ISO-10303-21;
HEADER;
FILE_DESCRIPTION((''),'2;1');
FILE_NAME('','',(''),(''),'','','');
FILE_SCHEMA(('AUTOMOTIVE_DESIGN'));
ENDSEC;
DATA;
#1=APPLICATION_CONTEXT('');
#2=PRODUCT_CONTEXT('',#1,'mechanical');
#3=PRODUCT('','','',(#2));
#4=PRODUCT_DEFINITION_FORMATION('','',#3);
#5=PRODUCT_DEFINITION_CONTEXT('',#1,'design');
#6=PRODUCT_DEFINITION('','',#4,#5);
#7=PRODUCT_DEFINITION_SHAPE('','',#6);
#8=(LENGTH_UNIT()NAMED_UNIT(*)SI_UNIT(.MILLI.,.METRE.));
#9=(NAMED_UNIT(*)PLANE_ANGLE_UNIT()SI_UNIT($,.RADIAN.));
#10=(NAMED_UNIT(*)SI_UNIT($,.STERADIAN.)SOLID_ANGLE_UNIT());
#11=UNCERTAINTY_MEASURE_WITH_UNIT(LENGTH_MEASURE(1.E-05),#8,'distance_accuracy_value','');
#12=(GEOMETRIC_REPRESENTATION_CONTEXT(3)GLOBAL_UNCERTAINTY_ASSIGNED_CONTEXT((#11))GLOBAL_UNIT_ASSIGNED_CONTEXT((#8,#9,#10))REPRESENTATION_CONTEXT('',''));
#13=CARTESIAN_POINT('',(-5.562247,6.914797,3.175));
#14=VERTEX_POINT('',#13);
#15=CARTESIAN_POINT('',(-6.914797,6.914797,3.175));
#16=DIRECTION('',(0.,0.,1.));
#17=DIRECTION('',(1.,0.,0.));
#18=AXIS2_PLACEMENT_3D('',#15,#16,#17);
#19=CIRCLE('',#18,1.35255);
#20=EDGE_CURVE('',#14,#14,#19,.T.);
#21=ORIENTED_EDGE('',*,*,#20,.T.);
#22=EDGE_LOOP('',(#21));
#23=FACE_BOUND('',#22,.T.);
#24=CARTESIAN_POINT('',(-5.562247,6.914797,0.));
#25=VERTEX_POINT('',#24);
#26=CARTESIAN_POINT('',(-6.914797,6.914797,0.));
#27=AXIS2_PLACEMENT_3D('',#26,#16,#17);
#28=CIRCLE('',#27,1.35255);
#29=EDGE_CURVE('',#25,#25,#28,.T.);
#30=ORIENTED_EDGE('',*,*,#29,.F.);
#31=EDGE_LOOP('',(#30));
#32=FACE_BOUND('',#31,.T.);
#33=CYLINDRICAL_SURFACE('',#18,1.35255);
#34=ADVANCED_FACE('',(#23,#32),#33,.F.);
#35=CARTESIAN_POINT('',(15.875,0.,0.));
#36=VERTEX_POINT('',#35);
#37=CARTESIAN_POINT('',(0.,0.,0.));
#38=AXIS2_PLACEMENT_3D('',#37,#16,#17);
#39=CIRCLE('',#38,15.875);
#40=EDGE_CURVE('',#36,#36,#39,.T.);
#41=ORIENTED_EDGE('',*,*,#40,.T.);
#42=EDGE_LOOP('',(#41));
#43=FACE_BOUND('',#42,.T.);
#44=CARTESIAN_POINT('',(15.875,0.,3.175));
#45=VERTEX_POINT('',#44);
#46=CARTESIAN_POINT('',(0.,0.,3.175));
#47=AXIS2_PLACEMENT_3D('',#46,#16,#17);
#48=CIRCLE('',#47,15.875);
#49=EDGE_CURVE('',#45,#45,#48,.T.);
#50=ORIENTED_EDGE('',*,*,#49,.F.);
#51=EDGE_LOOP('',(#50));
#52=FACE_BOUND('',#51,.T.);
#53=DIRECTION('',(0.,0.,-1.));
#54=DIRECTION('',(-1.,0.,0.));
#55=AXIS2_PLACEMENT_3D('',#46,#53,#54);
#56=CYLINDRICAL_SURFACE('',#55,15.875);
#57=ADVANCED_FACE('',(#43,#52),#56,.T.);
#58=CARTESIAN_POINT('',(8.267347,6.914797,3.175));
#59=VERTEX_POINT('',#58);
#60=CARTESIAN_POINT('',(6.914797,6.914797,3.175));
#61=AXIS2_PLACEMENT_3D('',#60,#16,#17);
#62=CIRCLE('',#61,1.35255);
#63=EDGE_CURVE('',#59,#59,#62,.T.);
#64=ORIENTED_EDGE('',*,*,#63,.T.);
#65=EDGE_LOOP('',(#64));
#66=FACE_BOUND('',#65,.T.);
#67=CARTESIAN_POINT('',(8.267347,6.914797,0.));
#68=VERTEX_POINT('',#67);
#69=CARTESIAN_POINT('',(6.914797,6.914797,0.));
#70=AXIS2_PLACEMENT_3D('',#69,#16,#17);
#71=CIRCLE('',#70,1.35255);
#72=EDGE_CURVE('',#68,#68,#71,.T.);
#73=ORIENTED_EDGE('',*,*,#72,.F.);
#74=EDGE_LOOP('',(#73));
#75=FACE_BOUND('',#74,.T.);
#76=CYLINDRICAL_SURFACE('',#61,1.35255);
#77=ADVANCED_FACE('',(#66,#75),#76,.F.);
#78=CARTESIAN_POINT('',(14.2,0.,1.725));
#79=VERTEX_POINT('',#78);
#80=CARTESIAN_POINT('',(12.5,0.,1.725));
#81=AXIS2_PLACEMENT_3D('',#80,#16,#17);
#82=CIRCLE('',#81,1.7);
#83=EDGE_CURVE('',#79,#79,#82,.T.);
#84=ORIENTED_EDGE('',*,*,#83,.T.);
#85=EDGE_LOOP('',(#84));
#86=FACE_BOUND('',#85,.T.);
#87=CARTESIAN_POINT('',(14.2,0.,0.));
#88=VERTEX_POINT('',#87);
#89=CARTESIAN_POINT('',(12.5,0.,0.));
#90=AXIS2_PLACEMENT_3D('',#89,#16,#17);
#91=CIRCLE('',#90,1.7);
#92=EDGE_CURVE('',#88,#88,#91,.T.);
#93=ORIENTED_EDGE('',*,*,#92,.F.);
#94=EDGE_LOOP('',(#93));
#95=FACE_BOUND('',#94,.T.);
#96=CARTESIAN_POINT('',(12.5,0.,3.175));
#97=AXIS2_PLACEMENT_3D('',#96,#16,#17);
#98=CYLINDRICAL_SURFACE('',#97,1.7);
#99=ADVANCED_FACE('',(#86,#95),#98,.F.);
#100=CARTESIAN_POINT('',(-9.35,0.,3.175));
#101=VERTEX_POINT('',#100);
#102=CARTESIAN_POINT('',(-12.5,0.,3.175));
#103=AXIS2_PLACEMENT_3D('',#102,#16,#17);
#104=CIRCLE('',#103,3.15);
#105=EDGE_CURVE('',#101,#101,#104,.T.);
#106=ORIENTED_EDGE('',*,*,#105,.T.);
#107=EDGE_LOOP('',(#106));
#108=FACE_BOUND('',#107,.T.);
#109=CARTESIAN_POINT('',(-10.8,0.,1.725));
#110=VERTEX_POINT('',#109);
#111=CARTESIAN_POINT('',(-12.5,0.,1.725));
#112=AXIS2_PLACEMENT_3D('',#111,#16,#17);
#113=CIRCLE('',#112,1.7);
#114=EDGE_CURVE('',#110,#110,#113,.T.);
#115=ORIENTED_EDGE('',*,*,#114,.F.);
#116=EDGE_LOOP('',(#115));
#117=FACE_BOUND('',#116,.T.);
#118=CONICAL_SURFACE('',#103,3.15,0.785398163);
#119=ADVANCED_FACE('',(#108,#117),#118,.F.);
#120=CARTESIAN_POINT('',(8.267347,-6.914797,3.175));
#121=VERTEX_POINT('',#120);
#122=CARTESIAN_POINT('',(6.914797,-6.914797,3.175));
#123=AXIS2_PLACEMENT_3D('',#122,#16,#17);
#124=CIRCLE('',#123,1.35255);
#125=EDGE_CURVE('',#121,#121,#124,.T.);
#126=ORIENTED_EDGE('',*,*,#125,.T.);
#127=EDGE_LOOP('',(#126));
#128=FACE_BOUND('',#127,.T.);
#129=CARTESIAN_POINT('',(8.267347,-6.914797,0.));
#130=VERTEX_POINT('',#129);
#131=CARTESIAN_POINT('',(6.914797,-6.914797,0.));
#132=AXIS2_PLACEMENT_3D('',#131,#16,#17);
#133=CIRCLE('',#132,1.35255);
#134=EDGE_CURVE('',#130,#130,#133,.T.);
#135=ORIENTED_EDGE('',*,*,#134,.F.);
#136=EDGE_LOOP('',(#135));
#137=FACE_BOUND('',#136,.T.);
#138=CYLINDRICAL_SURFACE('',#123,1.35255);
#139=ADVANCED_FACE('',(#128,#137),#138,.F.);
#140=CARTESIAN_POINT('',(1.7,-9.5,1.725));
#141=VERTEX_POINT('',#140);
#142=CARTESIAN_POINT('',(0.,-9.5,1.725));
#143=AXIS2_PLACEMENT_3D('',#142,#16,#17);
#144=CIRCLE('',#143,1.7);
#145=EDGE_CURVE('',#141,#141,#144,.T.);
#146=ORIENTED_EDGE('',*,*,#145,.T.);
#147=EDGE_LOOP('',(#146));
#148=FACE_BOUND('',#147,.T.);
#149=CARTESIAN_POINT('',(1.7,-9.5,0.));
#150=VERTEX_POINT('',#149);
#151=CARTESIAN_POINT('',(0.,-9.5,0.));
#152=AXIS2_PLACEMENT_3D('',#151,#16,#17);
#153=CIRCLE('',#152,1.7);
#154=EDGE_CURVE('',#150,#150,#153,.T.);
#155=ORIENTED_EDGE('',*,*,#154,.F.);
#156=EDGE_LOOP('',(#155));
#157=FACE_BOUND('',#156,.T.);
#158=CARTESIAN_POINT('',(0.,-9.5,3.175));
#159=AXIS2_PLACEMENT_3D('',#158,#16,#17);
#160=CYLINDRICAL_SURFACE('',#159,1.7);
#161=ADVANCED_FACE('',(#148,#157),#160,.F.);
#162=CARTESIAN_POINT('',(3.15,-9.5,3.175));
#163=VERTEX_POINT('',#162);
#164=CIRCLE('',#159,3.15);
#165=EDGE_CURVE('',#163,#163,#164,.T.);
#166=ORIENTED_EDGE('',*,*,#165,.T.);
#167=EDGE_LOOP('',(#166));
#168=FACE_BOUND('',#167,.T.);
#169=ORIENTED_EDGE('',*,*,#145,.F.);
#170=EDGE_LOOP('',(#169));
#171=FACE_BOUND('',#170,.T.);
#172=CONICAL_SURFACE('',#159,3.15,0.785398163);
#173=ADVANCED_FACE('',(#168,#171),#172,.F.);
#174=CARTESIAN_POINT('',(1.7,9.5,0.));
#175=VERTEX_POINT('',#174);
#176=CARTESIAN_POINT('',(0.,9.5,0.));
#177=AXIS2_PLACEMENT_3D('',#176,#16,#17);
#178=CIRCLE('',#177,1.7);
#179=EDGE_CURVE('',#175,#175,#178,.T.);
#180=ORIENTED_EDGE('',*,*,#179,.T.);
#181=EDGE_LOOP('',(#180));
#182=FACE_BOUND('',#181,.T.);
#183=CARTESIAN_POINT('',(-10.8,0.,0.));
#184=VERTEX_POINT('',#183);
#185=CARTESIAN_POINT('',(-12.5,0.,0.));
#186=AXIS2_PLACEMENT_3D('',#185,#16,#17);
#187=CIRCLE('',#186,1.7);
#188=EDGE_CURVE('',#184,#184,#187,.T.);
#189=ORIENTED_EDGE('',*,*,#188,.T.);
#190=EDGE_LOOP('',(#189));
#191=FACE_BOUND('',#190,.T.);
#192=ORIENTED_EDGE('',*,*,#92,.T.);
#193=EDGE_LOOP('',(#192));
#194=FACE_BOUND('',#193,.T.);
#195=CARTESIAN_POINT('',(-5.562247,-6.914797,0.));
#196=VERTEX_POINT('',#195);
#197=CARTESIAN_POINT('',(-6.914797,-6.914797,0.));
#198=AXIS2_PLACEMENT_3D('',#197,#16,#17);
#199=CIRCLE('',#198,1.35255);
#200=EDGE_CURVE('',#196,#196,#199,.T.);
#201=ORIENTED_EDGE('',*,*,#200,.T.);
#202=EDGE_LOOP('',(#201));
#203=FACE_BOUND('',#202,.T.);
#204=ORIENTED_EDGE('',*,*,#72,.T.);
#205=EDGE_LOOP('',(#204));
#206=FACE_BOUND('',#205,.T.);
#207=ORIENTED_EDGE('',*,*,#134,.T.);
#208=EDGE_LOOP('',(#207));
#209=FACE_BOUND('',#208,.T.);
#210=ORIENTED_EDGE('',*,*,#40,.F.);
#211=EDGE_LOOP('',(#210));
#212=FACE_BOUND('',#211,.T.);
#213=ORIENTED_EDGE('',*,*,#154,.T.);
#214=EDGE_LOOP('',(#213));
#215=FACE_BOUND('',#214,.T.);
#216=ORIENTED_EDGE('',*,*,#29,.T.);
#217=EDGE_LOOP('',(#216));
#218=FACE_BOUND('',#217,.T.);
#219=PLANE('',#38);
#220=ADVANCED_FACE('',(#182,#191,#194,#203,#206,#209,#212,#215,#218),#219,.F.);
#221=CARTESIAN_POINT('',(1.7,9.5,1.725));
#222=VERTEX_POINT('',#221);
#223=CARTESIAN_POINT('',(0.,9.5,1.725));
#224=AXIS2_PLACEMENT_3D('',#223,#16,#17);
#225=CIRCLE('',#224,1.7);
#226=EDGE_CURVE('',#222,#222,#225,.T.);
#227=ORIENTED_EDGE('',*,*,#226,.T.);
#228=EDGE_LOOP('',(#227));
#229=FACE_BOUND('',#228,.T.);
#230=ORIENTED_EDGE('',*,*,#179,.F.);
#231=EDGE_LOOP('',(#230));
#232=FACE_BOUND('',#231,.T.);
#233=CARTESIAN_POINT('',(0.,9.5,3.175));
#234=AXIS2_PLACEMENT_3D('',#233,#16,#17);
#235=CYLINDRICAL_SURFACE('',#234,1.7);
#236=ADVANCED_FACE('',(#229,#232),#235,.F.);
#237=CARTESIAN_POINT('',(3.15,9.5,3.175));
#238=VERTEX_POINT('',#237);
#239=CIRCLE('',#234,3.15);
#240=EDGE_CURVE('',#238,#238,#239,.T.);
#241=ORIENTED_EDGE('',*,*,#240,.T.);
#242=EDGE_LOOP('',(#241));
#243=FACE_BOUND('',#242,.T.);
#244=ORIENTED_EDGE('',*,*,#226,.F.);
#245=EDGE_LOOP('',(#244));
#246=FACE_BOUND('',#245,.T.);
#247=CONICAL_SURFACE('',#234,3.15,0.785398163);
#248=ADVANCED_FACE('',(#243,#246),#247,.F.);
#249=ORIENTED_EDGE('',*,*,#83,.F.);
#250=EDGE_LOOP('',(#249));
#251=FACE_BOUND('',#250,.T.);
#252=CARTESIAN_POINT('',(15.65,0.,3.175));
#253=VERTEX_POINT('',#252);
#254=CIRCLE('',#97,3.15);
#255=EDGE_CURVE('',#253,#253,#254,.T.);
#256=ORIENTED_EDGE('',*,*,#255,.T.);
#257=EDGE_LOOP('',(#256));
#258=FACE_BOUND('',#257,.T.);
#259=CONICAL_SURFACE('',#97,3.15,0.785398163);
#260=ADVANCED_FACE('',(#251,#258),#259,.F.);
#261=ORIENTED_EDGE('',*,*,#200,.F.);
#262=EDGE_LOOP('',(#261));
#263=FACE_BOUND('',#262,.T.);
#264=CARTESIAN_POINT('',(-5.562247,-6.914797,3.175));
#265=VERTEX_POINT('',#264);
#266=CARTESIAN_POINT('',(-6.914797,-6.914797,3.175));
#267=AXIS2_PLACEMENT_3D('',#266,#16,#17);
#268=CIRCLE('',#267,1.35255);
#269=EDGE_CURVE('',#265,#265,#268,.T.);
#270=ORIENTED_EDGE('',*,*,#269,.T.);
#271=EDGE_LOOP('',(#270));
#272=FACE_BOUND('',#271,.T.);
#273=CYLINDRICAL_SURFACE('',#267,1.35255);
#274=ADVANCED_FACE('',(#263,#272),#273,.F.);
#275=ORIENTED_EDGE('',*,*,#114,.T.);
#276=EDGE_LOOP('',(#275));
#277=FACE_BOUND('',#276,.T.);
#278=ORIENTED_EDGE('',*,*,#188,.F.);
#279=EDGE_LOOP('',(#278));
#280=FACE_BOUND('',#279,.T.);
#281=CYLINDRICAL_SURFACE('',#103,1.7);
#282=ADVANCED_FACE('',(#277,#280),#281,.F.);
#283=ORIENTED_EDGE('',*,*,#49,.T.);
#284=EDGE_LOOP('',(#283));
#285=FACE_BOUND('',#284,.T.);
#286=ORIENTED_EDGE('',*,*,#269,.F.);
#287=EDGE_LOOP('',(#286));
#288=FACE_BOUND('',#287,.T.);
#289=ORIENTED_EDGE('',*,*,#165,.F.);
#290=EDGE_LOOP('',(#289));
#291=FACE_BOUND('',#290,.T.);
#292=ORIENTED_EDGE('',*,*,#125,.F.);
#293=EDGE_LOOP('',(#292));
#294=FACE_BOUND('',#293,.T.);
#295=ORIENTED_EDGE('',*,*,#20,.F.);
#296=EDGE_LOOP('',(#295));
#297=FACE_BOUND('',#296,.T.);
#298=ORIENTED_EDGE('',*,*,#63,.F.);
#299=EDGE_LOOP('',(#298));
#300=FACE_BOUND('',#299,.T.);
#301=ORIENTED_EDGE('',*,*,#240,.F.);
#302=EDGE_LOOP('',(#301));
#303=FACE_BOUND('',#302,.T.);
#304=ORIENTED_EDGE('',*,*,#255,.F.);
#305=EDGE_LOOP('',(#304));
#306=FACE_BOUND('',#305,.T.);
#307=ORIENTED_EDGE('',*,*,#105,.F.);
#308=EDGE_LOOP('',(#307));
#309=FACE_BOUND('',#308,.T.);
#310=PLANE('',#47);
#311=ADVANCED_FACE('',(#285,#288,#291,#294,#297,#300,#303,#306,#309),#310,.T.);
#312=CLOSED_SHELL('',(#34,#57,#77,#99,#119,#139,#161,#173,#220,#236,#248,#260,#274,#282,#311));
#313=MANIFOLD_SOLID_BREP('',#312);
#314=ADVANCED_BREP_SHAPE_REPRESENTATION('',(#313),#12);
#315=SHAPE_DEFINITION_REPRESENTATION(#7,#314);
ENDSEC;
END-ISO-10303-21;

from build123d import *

# Parameters (mm, degrees)
SKETCH1_R                                       = 15.875
BOSS_EXTRUDE1_DEPTH                             = 3.175
CSK_FOR_M3_FLAT_HEAD_MACHINE_SCREW1_D           = 3.4
CSK_FOR_M3_FLAT_HEAD_MACHINE_SCREW1_CSINK_D     = 6.3
CSK_FOR_M3_FLAT_HEAD_MACHINE_SCREW1_CSINK_ANGLE = 90
F_6_32_TAPPED_HOLE1_D                           = 2.7051


with BuildPart() as part:
    # Sketch1 → Boss-Extrude1 (new body)
    with BuildSketch(Plane.XY):
        Circle(SKETCH1_R)
    extrude(amount=BOSS_EXTRUDE1_DEPTH)

    # CSK for M3 Flat Head Machine Screw1 (through all)
    with Locations(Plane.XY.offset(3.175)):
        with Locations((0, 9.5), (0, -9.5), (12.5, 0), (-12.5, 0)):
            CounterSinkHole(CSK_FOR_M3_FLAT_HEAD_MACHINE_SCREW1_D / 2, CSK_FOR_M3_FLAT_HEAD_MACHINE_SCREW1_CSINK_D / 2, counter_sink_angle=CSK_FOR_M3_FLAT_HEAD_MACHINE_SCREW1_CSINK_ANGLE)

    # #6-32 Tapped Hole1 (through all)
    with Locations(Plane.XY.offset(3.175)):
        with Locations((-6.914797213, 6.914797213), (6.914797213, 6.914797213), (6.914797213, -6.914797213), (-6.914797213, -6.914797213)):
            Hole(F_6_32_TAPPED_HOLE1_D / 2)


solid = part.part
